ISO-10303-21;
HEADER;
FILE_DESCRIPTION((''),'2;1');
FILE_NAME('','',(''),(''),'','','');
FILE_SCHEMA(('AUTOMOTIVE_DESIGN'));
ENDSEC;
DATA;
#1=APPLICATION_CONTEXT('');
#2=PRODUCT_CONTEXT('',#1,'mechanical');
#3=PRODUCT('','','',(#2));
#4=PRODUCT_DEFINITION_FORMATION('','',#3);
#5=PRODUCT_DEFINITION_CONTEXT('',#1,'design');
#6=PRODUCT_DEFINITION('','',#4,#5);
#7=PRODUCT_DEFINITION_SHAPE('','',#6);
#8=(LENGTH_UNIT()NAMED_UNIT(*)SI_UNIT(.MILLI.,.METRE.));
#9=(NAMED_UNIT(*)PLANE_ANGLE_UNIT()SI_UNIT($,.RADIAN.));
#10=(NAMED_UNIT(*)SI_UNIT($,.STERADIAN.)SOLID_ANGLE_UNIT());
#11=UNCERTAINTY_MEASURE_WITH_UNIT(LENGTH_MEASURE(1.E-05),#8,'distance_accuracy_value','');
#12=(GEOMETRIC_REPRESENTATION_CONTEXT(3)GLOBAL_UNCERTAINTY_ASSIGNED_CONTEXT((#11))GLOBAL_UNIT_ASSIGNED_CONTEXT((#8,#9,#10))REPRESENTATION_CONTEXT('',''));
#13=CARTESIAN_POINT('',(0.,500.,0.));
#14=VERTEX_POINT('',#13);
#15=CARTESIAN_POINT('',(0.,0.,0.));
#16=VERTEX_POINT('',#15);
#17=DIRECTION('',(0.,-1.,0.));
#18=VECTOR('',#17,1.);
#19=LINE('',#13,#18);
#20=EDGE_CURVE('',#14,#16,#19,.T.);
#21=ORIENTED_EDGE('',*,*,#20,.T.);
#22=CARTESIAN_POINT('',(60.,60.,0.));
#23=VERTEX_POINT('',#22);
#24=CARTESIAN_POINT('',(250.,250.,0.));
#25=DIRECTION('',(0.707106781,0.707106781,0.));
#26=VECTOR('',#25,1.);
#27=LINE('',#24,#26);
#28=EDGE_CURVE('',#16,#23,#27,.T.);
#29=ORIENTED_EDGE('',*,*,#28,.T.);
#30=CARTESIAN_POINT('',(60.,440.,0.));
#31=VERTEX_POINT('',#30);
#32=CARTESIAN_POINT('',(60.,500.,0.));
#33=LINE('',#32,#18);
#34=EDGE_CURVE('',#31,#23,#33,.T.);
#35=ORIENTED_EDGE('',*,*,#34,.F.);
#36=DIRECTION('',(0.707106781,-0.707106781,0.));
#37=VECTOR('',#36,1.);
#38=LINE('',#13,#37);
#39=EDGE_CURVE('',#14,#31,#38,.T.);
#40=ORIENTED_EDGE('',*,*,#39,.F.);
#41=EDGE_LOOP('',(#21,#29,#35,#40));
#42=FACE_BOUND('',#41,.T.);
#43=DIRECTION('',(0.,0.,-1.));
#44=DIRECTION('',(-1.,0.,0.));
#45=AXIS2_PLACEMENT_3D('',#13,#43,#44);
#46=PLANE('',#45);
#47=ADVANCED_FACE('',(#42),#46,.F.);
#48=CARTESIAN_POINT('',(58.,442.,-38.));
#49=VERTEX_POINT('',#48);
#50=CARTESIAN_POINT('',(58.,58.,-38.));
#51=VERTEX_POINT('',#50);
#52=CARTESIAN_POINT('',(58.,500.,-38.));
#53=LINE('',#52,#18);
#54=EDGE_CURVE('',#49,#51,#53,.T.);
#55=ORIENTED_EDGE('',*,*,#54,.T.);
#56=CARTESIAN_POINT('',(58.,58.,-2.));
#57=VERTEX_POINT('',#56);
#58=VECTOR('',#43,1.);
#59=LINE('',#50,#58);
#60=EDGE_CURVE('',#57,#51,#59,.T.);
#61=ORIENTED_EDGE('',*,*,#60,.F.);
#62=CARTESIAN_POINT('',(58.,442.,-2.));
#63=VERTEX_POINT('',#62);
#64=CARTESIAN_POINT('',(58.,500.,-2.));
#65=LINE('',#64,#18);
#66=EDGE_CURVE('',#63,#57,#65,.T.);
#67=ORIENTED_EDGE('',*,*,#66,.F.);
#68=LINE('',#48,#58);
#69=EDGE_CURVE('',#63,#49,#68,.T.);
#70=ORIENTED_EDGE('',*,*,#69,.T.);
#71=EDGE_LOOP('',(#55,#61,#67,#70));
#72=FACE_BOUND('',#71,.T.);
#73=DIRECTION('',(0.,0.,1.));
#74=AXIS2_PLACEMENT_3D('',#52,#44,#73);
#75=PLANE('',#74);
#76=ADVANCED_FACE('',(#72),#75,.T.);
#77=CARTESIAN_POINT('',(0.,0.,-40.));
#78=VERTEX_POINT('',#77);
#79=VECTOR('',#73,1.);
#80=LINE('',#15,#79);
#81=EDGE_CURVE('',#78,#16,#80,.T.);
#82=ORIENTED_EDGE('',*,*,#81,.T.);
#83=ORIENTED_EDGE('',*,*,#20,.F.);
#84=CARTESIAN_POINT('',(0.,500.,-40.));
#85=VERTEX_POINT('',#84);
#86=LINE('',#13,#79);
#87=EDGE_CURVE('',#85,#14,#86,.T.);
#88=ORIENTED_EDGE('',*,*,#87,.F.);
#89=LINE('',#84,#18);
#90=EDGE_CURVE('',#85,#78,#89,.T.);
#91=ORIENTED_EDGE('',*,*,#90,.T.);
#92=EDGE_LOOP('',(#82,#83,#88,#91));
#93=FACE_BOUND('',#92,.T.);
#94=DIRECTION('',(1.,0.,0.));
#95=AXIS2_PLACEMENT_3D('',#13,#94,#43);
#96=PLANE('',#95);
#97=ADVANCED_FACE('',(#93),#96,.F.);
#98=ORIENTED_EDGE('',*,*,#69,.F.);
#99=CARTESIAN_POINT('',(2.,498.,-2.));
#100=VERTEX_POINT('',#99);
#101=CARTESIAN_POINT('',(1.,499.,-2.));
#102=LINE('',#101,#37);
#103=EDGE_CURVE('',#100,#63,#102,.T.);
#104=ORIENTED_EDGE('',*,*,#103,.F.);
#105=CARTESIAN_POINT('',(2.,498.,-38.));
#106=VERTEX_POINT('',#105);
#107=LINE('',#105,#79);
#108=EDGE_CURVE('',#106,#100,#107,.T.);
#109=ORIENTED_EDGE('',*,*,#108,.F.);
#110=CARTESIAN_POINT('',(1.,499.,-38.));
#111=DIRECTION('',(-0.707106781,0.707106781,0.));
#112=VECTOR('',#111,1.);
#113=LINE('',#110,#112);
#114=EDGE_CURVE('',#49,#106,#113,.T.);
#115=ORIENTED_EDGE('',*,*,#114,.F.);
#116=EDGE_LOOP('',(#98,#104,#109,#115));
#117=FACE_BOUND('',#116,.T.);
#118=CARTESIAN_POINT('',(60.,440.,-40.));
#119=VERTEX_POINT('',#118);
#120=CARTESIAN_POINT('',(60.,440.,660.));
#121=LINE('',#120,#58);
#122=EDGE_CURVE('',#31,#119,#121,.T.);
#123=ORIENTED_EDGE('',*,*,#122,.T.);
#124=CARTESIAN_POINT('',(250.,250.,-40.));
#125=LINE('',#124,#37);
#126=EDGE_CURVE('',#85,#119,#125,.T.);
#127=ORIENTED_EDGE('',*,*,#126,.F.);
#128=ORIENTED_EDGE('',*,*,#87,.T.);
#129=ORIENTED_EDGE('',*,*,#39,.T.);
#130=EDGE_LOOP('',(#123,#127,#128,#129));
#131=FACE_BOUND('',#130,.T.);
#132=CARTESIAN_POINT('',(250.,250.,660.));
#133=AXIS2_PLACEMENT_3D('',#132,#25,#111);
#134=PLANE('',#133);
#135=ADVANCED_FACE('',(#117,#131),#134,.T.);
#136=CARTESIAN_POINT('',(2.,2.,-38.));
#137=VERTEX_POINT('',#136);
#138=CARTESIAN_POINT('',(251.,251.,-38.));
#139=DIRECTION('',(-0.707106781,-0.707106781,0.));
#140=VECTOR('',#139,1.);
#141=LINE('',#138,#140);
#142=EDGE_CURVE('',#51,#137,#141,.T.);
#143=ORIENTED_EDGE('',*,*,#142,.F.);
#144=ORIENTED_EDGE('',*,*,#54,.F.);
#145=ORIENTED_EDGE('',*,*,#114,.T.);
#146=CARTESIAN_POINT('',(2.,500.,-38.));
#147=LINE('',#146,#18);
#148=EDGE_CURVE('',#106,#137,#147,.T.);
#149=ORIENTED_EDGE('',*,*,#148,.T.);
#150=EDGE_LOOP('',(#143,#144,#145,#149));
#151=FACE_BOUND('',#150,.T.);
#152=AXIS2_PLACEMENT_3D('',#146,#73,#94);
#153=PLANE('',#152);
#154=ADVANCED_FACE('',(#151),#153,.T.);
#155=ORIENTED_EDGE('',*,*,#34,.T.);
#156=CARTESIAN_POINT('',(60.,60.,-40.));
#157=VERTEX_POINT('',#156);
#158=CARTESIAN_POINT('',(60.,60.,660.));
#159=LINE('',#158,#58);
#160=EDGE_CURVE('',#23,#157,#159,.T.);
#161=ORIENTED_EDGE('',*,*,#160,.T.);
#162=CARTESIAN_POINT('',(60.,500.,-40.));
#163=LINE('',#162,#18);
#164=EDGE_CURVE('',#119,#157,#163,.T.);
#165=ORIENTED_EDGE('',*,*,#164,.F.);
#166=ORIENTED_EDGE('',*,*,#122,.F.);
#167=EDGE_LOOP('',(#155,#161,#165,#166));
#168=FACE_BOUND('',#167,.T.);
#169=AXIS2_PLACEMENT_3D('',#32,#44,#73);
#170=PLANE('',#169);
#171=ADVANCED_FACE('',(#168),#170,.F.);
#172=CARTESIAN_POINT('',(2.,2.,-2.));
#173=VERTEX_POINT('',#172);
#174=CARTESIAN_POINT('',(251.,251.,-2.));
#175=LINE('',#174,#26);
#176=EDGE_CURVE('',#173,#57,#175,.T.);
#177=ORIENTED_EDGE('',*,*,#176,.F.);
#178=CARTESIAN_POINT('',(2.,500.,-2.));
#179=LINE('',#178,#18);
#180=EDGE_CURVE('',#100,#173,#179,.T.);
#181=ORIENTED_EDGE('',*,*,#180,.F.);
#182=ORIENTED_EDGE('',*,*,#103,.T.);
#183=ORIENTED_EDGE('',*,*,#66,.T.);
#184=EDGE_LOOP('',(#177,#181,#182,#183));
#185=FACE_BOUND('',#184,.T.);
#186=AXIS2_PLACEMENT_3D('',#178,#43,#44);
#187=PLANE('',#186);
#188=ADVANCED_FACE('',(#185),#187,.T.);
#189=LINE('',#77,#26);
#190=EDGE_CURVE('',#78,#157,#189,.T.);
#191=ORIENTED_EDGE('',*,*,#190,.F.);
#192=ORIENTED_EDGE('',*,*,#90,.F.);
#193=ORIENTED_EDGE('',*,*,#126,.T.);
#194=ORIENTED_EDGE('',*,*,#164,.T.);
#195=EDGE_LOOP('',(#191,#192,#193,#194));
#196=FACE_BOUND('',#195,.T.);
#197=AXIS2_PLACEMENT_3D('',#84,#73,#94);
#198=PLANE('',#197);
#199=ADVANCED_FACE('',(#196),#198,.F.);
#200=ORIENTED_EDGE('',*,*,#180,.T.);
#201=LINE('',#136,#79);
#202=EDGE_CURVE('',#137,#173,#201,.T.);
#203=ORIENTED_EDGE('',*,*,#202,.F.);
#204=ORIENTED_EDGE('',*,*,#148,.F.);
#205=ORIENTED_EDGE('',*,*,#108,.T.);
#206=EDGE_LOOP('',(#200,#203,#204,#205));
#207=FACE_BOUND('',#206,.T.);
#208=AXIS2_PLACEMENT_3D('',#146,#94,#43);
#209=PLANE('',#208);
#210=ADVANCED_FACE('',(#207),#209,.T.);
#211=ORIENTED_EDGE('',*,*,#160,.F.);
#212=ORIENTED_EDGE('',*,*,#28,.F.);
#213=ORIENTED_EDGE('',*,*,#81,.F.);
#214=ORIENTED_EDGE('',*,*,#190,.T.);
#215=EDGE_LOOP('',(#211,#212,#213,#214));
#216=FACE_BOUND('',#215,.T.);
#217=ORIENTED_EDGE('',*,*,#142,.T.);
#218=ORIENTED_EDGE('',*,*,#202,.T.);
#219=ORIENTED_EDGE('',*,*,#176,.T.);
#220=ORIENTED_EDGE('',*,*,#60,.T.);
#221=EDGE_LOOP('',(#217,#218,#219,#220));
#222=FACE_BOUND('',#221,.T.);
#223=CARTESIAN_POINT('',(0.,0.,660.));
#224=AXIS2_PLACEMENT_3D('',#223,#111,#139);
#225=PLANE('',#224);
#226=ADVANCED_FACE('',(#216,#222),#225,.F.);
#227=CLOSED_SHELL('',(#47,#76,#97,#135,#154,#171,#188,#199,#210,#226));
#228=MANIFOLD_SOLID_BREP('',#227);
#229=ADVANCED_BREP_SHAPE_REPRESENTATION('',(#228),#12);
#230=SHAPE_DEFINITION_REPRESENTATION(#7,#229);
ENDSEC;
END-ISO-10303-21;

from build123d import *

# Parameters (mm, degrees)
IZIM1_W                     = 60
IZIM1_H                     = 40
IZIM1_W_2                   = 56
IZIM1_H_2                   = 36
Y_KSEKLIK_EKSTR_ZYON1_DEPTH = 500
KES_EKSTR_ZYON1_DEPTH       = 700


with BuildPart() as part:
    # Çizim1 → Yükseklik-Ekstrüzyon1 (new body)
    with BuildSketch(Plane(origin=(0, 0, 0), x_dir=(1, 0, 0), z_dir=(0, 1, 0))):
        with Locations((30, 20)):
            Rectangle(IZIM1_W, IZIM1_H)
        with Locations((30, 20)):
            Rectangle(IZIM1_W_2, IZIM1_H_2, mode=Mode.SUBTRACT)
    extrude(amount=Y_KSEKLIK_EKSTR_ZYON1_DEPTH)

    # Çizim2 → Kes-Ekstrüzyon1 (cut)
    with BuildSketch(Plane(origin=(0, 0, -40), x_dir=(-1, 0, 0), z_dir=(0, 0, -1))):
        Polygon((-60, 440), (0, 500), (-60, 500), align=None)
        Polygon((-60, 0), (0, 0), (-60, 60), align=None)
    extrude(amount=-KES_EKSTR_ZYON1_DEPTH, mode=Mode.SUBTRACT)


solid = part.part
